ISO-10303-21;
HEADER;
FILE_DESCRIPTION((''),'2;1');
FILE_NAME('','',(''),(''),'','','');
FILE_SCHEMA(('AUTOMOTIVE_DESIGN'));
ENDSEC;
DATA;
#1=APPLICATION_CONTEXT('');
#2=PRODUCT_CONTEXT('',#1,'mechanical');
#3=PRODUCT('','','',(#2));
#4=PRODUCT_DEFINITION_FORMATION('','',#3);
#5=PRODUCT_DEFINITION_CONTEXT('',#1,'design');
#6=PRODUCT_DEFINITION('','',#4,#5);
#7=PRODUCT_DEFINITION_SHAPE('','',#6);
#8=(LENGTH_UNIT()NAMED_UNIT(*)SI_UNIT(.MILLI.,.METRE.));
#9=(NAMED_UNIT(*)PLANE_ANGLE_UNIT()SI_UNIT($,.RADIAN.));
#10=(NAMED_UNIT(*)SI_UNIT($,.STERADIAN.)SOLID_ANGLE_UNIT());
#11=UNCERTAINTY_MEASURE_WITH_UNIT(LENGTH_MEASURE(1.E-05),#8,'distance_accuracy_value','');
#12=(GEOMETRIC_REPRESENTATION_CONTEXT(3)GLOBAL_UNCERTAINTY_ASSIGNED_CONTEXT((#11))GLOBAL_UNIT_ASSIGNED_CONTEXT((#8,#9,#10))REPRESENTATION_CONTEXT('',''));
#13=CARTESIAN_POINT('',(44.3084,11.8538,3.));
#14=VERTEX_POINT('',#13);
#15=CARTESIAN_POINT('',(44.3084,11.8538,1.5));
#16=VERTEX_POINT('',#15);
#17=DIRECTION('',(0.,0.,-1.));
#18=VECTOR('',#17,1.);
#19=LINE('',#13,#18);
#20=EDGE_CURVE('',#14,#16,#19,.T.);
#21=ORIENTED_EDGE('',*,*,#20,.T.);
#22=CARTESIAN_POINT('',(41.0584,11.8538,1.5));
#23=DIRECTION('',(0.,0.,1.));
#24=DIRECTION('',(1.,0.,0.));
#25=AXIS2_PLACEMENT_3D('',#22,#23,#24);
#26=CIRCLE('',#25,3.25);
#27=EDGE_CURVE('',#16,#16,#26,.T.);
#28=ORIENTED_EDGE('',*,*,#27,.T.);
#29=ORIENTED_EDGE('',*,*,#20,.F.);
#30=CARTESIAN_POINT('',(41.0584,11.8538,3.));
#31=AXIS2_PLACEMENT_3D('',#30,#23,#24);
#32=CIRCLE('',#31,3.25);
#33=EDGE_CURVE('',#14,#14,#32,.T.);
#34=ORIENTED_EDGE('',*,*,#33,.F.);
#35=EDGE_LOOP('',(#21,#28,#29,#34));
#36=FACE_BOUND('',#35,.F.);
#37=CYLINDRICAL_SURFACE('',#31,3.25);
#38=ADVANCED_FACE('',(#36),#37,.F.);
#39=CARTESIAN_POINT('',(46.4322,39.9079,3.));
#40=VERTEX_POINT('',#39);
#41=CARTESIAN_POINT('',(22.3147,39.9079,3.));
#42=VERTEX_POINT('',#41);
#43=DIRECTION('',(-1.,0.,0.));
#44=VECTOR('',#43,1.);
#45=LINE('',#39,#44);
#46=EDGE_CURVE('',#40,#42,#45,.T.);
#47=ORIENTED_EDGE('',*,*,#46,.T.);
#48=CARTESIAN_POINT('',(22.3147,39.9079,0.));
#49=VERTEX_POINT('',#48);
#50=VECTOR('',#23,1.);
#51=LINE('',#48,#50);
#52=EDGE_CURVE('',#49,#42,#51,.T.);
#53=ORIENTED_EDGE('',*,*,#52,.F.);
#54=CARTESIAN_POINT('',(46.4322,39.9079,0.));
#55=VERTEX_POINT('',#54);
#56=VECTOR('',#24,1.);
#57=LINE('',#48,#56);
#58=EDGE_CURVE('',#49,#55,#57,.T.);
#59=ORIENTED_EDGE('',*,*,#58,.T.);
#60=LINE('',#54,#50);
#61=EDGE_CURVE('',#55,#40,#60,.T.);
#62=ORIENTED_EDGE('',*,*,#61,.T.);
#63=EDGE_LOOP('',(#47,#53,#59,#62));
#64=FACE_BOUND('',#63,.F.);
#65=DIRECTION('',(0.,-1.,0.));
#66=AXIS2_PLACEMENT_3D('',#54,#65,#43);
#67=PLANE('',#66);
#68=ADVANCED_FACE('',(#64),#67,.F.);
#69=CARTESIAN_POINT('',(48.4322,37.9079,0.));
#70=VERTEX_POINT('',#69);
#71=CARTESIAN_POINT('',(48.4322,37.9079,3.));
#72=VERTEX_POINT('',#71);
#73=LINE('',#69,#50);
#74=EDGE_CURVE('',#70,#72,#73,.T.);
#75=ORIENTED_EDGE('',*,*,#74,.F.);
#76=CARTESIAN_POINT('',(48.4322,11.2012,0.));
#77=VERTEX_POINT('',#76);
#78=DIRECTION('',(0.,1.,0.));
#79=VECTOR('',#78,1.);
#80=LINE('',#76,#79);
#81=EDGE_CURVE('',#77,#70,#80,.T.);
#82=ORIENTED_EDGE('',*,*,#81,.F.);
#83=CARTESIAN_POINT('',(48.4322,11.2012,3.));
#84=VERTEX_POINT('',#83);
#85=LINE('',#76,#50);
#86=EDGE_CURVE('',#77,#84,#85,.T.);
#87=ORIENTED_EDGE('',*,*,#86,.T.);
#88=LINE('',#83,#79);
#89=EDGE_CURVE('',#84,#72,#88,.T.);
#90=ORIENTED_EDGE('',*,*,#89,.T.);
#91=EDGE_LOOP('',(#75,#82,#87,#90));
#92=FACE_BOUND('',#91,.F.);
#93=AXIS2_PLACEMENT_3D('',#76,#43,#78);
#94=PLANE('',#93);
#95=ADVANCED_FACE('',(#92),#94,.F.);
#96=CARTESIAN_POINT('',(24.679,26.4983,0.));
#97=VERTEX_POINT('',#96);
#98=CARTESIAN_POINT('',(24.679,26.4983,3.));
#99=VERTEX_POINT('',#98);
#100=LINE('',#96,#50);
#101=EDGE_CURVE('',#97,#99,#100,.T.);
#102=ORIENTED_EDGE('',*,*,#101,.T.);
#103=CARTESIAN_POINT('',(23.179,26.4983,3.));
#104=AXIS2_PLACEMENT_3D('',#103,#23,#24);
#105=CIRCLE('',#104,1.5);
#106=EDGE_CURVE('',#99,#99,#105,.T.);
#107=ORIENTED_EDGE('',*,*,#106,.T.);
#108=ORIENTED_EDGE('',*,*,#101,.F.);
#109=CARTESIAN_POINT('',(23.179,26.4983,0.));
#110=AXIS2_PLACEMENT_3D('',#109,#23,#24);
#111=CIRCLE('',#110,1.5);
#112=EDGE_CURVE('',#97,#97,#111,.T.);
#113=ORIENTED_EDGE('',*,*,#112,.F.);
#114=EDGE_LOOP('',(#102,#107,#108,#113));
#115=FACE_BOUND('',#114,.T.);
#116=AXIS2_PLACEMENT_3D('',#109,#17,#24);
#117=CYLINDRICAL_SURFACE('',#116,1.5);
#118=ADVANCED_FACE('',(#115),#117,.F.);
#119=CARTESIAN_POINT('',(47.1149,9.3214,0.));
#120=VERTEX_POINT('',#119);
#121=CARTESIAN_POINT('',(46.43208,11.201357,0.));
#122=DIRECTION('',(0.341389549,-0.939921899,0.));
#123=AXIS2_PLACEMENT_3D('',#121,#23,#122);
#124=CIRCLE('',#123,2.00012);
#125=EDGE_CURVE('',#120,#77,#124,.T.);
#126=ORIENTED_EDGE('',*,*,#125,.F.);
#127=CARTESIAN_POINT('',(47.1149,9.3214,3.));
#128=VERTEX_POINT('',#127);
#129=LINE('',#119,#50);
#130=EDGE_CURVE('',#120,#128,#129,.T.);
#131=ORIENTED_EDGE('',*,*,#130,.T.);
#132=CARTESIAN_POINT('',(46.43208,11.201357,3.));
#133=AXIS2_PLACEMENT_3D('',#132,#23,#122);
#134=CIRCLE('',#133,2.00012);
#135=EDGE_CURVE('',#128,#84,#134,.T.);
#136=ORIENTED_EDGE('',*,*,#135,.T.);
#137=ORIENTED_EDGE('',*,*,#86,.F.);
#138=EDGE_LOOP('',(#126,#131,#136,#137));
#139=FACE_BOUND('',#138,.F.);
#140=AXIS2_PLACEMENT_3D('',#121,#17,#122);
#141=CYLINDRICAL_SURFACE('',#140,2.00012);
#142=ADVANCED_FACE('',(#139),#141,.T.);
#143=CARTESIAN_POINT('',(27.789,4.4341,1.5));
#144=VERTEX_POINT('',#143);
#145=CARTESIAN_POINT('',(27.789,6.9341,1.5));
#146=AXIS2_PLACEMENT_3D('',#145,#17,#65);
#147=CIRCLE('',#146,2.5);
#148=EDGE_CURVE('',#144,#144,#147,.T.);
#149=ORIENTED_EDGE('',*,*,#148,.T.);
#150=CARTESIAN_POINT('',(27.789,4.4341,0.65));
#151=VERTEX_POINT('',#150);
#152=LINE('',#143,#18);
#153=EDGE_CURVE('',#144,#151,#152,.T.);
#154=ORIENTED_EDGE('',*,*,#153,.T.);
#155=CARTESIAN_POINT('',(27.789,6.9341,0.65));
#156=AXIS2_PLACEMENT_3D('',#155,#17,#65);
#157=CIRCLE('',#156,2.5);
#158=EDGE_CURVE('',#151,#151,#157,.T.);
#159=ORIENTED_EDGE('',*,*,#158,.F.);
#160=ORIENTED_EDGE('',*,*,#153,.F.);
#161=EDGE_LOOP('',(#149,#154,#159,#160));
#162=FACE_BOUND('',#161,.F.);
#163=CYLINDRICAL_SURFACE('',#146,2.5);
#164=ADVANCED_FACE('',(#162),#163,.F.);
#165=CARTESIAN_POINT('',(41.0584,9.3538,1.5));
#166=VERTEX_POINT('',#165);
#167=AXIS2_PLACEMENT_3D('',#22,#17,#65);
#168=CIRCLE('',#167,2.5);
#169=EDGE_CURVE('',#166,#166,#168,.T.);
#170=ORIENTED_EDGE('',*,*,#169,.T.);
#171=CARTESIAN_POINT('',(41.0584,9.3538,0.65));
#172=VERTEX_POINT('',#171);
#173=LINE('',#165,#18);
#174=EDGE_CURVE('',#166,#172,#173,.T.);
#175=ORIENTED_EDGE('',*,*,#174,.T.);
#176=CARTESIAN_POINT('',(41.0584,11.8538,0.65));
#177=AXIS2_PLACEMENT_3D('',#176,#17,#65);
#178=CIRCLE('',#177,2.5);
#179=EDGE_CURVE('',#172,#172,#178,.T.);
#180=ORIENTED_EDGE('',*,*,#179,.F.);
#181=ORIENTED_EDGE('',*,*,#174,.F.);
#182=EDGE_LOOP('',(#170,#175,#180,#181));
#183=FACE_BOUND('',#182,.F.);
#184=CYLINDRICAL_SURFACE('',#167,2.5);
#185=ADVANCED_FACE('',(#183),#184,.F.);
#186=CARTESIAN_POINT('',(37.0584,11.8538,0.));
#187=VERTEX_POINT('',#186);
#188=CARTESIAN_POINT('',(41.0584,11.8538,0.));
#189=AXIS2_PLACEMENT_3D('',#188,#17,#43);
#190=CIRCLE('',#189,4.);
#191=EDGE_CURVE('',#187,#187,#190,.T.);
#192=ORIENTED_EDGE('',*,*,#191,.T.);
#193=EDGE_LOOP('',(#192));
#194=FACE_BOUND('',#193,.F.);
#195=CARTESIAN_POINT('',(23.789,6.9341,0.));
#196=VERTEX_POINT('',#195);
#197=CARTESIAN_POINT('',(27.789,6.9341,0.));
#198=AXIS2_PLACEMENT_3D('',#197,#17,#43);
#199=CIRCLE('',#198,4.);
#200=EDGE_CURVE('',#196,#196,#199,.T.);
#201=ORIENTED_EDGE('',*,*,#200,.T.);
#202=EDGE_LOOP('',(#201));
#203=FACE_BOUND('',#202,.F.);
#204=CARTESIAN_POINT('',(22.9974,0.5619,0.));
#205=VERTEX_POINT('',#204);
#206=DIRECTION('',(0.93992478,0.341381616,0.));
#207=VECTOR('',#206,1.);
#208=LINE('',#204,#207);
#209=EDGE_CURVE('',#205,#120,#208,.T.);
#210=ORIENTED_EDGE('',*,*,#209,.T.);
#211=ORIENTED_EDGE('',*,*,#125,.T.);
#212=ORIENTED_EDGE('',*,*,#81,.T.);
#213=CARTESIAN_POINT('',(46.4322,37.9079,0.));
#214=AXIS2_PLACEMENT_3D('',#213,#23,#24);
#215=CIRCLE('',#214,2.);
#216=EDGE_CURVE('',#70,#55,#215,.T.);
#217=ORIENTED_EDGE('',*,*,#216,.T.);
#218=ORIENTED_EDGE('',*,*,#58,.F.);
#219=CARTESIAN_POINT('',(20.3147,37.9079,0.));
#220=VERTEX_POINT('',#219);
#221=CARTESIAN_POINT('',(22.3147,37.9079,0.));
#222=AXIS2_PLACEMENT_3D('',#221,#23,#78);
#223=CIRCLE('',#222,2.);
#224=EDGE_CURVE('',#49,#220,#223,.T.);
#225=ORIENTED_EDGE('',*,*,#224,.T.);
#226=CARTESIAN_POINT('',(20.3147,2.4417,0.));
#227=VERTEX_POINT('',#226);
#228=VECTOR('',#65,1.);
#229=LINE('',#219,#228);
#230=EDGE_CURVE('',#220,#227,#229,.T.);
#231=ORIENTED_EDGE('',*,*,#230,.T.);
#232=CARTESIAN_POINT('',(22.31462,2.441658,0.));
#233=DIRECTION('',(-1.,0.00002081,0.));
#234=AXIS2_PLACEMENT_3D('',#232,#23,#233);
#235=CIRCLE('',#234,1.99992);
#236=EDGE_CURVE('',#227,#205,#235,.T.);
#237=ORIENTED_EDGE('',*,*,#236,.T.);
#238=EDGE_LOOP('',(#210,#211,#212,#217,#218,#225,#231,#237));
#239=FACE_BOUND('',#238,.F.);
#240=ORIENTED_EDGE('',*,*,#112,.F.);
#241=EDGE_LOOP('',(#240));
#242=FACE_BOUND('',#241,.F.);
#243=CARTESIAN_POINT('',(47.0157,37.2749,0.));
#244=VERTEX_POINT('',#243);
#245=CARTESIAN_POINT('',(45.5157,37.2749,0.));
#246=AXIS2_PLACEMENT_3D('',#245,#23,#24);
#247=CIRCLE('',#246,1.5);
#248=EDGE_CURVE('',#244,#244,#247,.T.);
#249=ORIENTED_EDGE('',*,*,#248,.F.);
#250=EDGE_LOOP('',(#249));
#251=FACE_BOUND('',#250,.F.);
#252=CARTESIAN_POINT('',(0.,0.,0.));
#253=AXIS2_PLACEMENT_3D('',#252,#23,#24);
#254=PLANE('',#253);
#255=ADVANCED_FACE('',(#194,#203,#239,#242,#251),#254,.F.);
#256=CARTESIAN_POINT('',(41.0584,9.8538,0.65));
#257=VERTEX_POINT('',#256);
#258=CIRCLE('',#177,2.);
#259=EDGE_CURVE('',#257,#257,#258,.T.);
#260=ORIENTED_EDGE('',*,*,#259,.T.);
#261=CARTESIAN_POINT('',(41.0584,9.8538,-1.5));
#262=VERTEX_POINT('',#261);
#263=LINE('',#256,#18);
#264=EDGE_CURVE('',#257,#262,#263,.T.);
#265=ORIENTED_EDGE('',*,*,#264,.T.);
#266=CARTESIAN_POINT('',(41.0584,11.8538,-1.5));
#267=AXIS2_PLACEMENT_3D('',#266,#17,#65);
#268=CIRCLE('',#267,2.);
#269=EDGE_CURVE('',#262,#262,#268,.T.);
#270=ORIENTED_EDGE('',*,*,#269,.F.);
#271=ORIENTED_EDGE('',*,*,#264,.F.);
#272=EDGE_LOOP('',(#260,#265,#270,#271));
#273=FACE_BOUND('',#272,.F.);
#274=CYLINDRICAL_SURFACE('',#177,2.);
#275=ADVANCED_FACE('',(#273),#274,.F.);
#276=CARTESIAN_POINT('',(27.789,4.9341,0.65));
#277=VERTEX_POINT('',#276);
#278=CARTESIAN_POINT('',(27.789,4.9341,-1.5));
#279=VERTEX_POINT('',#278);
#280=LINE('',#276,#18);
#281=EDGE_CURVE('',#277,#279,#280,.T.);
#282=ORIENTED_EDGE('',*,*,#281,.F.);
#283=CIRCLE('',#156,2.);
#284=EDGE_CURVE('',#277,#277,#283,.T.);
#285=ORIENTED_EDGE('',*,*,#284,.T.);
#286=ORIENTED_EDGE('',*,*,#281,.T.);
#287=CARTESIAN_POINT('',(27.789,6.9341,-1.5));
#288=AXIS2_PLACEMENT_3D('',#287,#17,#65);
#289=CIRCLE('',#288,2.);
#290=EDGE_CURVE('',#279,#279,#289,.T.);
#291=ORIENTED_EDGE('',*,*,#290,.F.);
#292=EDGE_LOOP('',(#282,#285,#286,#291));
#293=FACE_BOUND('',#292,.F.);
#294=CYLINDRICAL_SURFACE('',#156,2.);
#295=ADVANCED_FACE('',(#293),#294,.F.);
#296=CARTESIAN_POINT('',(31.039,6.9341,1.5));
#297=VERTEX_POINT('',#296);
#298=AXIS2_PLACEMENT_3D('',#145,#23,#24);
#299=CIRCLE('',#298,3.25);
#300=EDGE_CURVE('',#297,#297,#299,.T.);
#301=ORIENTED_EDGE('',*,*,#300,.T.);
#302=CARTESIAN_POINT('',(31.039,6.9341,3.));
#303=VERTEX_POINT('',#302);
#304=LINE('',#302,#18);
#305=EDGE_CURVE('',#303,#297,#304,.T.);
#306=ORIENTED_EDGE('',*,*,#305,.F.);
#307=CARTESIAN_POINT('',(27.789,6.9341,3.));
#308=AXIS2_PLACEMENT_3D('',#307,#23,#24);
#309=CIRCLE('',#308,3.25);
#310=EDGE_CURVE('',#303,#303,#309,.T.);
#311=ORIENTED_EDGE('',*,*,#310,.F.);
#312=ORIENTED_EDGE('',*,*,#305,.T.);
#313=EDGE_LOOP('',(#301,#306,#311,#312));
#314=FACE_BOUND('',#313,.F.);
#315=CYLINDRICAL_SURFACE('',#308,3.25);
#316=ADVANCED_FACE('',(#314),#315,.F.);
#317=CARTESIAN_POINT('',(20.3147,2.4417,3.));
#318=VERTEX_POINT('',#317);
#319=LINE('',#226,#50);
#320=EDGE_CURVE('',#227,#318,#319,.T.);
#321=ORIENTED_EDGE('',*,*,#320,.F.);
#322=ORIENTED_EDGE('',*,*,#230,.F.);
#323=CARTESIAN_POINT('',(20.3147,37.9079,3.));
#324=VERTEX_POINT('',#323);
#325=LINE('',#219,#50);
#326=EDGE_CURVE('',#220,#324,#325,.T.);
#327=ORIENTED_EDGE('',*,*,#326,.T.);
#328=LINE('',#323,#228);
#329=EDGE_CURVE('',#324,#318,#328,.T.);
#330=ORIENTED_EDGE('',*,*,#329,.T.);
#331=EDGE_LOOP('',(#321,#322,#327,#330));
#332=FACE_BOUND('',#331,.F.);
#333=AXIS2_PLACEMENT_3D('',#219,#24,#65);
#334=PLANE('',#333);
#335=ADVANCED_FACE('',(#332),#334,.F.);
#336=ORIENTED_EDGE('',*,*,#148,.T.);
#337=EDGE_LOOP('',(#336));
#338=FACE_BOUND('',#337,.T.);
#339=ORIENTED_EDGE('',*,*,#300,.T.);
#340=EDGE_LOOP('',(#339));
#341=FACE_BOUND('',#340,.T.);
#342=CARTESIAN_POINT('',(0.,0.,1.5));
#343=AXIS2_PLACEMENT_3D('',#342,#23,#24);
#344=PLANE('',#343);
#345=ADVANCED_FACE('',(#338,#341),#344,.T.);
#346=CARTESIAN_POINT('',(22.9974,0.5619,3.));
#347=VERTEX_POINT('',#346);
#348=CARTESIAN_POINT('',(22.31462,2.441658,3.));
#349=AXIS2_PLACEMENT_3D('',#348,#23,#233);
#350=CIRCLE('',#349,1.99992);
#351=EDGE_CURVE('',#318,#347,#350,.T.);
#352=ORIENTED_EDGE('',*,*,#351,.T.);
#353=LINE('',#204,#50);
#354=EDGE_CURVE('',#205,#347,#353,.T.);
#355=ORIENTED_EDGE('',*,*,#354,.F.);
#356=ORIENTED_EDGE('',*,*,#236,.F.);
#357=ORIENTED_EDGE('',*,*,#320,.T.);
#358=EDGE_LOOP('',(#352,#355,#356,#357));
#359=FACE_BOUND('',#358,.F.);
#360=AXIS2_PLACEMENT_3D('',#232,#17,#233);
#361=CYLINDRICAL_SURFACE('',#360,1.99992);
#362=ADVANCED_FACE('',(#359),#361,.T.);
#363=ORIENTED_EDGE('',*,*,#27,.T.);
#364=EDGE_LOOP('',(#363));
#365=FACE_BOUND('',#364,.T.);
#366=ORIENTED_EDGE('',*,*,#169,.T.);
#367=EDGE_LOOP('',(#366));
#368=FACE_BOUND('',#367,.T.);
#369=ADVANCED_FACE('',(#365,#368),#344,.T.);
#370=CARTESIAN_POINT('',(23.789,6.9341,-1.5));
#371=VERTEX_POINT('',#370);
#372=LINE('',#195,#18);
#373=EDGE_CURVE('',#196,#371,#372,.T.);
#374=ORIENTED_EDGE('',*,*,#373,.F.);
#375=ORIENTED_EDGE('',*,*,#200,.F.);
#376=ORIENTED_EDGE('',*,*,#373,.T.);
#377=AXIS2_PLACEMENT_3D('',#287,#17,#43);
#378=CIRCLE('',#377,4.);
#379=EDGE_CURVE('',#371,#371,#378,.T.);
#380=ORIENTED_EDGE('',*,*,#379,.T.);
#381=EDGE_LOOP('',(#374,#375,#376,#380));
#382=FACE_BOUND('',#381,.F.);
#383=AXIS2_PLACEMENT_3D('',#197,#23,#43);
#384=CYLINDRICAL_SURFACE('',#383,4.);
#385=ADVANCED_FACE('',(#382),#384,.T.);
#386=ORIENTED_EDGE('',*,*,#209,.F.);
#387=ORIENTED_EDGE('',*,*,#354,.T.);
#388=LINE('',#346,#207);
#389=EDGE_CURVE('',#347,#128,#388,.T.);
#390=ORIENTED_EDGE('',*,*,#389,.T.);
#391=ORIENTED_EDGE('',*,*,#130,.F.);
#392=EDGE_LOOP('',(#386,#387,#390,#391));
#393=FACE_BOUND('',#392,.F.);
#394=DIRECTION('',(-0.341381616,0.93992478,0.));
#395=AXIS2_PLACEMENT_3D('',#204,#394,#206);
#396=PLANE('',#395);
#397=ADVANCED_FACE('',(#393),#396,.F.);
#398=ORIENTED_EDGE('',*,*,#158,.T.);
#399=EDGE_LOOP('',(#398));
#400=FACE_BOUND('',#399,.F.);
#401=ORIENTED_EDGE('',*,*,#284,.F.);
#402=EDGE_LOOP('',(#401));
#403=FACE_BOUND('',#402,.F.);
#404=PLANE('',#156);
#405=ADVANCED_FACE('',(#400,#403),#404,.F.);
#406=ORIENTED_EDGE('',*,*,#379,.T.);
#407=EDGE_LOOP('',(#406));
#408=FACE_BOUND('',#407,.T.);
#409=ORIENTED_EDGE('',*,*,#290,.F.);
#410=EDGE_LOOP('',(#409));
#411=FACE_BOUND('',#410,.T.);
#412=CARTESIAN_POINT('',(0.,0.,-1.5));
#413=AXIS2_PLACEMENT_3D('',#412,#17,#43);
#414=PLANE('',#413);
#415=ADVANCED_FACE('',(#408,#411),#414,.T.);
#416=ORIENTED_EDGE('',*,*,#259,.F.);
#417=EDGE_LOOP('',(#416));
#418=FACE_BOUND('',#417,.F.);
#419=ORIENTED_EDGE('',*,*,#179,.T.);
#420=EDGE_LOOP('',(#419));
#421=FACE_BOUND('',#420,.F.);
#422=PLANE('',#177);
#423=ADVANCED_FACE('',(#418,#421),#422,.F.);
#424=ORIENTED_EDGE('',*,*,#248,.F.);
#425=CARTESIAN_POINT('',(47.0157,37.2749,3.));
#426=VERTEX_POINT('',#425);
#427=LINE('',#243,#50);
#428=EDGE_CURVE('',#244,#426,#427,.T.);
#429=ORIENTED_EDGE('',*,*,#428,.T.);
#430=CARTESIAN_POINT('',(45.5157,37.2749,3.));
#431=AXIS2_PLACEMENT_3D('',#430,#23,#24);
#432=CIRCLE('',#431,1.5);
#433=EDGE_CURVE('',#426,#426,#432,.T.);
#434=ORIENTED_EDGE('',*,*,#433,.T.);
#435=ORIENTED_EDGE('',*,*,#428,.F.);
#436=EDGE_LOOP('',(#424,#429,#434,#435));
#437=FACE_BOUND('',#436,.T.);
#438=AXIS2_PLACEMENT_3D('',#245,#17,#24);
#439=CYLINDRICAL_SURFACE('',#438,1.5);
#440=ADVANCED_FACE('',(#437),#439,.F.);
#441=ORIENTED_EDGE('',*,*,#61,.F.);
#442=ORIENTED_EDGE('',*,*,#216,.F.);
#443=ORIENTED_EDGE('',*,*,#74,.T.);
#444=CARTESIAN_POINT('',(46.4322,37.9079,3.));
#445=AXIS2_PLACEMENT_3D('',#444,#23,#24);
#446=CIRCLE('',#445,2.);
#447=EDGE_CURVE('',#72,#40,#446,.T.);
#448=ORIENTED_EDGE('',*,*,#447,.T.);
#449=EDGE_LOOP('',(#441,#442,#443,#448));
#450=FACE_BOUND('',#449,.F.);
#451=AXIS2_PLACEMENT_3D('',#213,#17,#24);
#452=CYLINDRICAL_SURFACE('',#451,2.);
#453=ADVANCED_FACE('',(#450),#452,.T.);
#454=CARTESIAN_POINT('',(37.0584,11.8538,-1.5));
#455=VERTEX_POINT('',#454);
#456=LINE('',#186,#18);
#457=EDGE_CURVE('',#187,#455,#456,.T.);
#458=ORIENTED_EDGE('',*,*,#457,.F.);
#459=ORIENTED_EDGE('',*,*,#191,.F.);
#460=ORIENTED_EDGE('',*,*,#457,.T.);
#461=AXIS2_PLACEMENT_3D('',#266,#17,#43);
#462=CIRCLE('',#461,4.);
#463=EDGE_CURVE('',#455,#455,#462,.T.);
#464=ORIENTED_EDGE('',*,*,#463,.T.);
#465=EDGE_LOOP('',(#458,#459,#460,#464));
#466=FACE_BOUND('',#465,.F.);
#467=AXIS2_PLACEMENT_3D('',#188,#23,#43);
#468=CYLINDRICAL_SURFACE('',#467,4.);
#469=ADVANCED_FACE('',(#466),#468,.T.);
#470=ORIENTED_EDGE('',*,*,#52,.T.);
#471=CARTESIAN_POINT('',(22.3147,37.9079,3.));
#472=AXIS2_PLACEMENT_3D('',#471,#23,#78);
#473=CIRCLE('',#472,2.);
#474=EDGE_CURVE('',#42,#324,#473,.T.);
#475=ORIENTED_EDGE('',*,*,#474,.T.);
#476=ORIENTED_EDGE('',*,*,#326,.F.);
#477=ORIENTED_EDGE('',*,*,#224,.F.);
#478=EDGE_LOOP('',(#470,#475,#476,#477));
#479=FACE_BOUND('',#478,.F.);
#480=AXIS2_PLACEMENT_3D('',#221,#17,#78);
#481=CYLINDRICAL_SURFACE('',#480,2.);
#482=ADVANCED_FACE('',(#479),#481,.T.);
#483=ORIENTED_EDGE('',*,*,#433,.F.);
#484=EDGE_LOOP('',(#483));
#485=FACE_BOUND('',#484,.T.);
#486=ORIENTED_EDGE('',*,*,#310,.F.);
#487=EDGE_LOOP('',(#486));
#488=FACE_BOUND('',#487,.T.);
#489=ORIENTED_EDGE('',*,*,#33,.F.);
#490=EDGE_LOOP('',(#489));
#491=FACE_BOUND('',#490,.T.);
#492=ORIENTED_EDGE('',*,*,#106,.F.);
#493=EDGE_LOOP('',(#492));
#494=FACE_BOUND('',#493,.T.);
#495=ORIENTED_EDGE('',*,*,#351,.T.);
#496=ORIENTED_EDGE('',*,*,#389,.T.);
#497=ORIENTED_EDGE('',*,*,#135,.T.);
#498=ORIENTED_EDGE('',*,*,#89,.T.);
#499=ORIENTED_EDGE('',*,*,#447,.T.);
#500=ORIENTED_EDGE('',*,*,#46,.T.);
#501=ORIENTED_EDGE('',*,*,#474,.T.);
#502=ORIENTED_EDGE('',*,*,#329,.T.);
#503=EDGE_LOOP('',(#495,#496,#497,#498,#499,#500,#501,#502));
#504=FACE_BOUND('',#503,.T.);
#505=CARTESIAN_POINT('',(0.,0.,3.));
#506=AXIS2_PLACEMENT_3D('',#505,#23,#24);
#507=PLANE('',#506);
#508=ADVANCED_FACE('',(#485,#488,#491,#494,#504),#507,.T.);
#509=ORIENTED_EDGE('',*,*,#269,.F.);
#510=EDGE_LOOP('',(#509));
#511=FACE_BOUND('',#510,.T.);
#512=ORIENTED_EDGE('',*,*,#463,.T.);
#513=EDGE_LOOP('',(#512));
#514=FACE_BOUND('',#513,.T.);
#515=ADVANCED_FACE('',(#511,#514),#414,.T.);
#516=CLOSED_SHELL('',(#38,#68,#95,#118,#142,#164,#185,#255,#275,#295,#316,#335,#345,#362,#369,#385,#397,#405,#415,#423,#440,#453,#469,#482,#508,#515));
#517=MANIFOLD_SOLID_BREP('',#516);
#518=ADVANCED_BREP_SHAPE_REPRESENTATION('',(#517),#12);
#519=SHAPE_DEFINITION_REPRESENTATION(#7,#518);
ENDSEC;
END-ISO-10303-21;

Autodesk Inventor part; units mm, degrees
ref_plane "YZ Plane" through (0, 0, 0) normal (1, 0, 0) x (0, 1, 0)
ref_plane "XZ Plane" through (0, 0, 0) normal (0, 1, 0) x (-1, 0, 0)
ref_plane "XY Plane" through (0, 0, 0) normal (0, 0, 1) x (1, 0, 0)
sketch "Sketch1" plane through (0, 0, 0) normal (0, 0, 1) x (1, 0, 0)
  line L0 (0, 61.5875) -> (62, 61.5875) construction
  line L1 (62, 61.5875) -> (62, -0.4125) construction
  line L2 (62, -0.4125) -> (0, -0.4125) construction
  line L3 (0, -0.4125) -> (0, 61.5875) construction
  line L4 (48.4322, 11.2012) -> (48.4322, 37.9079)
  line L5 (20.3147, 37.9079) -> (20.3147, 2.4417)
  line L6 (24.0433, 39.9079) -> (22.3147, 39.9079)
  line L7 (46.4322, 39.9079) -> (24.0433, 39.9079)
  arc A0 (22.3147, 39.9079) -> (20.3147, 37.9079) centre (22.3147, 37.9079) ccw
  circle A1 centre (23.179, 26.4983) radius 1.5
  circle A2 centre (45.5157, 37.2749) radius 1.5
  line L8 (16.613, -7.1773) -> (55.7088, 13.6823) projected
  line L9 (22.9974, 0.5619) -> (47.1149, 9.3214)
  arc A3 (20.3147, 2.4417) -> (22.9974, 0.5619) centre (22.3147, 2.4417) ccw
  arc A4 (47.1149, 9.3214) -> (48.4322, 11.2012) centre (46.4322, 11.2012) ccw
  arc A5 (48.4322, 37.9079) -> (46.4322, 39.9079) centre (46.4322, 37.9079) ccw
  point P0 (0, 0)
  point P1 (48.4322, 39.9079)
  point P2 (48.4322, 9.7998)
  point P3 (20.3147, -0.4125)
  dimension "d9" = 62
  dimension "d18" = 2
  dimension "d19" = 3
  dimension "d20" = 3
  dimension "d27" = 28.1175
  dimension "d47" = 2
extrude "Extrusion2" add sketch "Sketch1" along normal blind 3
sketch "Sketch3" plane through (0, 0, 0) normal (0, 0, -1) x (-1, 0, 0)
  circle A0 centre (-41.0584, 11.8538) radius 4
  circle A1 centre (-27.789, 6.9341) radius 4
  point P0 (0, 0)
  dimension "d51" = 8
  dimension "d52" = 8
extrude "Extrusion4" add sketch "Sketch3" along normal blind 1.5
sketch "Sketch4" plane through (0, 0, 3) normal (0, 0, 1) x (1, 0, 0)
  circle A0 centre (27.789, 6.9341) radius 4 projected
  circle A1 centre (41.0584, 11.8538) radius 4 projected
  circle A2 centre (41.0584, 11.8538) radius 3.25
  circle A3 centre (27.789, 6.9341) radius 3.25
  point P0 (0, 0)
  dimension "d55" = 6.5
  dimension "d56" = 6.5
extrude "Extrusion5" cut sketch "Sketch4" against normal blind 1.5 contours A2 | A3
sketch "Sketch5" plane through (41.0584, 11.8538, 1.5) normal (0, 0, 1) x (1, 0, 0)
  circle A0 centre (-13.2694, -4.9197) radius 3.25 projected
  circle A1 centre (0, 0) radius 3.25 projected
  point P0 (-41.0584, -11.8538)
hole "Hole1" at (27.789, 6.9341, 1.5) at (41.0584, 11.8538, 1.5) direction (0, 0, -1) diameter 4 depth 3 tip angle 118 counterbore diameter 5 counterbore depth 0.85
properties part number "bump_switch_mount"
